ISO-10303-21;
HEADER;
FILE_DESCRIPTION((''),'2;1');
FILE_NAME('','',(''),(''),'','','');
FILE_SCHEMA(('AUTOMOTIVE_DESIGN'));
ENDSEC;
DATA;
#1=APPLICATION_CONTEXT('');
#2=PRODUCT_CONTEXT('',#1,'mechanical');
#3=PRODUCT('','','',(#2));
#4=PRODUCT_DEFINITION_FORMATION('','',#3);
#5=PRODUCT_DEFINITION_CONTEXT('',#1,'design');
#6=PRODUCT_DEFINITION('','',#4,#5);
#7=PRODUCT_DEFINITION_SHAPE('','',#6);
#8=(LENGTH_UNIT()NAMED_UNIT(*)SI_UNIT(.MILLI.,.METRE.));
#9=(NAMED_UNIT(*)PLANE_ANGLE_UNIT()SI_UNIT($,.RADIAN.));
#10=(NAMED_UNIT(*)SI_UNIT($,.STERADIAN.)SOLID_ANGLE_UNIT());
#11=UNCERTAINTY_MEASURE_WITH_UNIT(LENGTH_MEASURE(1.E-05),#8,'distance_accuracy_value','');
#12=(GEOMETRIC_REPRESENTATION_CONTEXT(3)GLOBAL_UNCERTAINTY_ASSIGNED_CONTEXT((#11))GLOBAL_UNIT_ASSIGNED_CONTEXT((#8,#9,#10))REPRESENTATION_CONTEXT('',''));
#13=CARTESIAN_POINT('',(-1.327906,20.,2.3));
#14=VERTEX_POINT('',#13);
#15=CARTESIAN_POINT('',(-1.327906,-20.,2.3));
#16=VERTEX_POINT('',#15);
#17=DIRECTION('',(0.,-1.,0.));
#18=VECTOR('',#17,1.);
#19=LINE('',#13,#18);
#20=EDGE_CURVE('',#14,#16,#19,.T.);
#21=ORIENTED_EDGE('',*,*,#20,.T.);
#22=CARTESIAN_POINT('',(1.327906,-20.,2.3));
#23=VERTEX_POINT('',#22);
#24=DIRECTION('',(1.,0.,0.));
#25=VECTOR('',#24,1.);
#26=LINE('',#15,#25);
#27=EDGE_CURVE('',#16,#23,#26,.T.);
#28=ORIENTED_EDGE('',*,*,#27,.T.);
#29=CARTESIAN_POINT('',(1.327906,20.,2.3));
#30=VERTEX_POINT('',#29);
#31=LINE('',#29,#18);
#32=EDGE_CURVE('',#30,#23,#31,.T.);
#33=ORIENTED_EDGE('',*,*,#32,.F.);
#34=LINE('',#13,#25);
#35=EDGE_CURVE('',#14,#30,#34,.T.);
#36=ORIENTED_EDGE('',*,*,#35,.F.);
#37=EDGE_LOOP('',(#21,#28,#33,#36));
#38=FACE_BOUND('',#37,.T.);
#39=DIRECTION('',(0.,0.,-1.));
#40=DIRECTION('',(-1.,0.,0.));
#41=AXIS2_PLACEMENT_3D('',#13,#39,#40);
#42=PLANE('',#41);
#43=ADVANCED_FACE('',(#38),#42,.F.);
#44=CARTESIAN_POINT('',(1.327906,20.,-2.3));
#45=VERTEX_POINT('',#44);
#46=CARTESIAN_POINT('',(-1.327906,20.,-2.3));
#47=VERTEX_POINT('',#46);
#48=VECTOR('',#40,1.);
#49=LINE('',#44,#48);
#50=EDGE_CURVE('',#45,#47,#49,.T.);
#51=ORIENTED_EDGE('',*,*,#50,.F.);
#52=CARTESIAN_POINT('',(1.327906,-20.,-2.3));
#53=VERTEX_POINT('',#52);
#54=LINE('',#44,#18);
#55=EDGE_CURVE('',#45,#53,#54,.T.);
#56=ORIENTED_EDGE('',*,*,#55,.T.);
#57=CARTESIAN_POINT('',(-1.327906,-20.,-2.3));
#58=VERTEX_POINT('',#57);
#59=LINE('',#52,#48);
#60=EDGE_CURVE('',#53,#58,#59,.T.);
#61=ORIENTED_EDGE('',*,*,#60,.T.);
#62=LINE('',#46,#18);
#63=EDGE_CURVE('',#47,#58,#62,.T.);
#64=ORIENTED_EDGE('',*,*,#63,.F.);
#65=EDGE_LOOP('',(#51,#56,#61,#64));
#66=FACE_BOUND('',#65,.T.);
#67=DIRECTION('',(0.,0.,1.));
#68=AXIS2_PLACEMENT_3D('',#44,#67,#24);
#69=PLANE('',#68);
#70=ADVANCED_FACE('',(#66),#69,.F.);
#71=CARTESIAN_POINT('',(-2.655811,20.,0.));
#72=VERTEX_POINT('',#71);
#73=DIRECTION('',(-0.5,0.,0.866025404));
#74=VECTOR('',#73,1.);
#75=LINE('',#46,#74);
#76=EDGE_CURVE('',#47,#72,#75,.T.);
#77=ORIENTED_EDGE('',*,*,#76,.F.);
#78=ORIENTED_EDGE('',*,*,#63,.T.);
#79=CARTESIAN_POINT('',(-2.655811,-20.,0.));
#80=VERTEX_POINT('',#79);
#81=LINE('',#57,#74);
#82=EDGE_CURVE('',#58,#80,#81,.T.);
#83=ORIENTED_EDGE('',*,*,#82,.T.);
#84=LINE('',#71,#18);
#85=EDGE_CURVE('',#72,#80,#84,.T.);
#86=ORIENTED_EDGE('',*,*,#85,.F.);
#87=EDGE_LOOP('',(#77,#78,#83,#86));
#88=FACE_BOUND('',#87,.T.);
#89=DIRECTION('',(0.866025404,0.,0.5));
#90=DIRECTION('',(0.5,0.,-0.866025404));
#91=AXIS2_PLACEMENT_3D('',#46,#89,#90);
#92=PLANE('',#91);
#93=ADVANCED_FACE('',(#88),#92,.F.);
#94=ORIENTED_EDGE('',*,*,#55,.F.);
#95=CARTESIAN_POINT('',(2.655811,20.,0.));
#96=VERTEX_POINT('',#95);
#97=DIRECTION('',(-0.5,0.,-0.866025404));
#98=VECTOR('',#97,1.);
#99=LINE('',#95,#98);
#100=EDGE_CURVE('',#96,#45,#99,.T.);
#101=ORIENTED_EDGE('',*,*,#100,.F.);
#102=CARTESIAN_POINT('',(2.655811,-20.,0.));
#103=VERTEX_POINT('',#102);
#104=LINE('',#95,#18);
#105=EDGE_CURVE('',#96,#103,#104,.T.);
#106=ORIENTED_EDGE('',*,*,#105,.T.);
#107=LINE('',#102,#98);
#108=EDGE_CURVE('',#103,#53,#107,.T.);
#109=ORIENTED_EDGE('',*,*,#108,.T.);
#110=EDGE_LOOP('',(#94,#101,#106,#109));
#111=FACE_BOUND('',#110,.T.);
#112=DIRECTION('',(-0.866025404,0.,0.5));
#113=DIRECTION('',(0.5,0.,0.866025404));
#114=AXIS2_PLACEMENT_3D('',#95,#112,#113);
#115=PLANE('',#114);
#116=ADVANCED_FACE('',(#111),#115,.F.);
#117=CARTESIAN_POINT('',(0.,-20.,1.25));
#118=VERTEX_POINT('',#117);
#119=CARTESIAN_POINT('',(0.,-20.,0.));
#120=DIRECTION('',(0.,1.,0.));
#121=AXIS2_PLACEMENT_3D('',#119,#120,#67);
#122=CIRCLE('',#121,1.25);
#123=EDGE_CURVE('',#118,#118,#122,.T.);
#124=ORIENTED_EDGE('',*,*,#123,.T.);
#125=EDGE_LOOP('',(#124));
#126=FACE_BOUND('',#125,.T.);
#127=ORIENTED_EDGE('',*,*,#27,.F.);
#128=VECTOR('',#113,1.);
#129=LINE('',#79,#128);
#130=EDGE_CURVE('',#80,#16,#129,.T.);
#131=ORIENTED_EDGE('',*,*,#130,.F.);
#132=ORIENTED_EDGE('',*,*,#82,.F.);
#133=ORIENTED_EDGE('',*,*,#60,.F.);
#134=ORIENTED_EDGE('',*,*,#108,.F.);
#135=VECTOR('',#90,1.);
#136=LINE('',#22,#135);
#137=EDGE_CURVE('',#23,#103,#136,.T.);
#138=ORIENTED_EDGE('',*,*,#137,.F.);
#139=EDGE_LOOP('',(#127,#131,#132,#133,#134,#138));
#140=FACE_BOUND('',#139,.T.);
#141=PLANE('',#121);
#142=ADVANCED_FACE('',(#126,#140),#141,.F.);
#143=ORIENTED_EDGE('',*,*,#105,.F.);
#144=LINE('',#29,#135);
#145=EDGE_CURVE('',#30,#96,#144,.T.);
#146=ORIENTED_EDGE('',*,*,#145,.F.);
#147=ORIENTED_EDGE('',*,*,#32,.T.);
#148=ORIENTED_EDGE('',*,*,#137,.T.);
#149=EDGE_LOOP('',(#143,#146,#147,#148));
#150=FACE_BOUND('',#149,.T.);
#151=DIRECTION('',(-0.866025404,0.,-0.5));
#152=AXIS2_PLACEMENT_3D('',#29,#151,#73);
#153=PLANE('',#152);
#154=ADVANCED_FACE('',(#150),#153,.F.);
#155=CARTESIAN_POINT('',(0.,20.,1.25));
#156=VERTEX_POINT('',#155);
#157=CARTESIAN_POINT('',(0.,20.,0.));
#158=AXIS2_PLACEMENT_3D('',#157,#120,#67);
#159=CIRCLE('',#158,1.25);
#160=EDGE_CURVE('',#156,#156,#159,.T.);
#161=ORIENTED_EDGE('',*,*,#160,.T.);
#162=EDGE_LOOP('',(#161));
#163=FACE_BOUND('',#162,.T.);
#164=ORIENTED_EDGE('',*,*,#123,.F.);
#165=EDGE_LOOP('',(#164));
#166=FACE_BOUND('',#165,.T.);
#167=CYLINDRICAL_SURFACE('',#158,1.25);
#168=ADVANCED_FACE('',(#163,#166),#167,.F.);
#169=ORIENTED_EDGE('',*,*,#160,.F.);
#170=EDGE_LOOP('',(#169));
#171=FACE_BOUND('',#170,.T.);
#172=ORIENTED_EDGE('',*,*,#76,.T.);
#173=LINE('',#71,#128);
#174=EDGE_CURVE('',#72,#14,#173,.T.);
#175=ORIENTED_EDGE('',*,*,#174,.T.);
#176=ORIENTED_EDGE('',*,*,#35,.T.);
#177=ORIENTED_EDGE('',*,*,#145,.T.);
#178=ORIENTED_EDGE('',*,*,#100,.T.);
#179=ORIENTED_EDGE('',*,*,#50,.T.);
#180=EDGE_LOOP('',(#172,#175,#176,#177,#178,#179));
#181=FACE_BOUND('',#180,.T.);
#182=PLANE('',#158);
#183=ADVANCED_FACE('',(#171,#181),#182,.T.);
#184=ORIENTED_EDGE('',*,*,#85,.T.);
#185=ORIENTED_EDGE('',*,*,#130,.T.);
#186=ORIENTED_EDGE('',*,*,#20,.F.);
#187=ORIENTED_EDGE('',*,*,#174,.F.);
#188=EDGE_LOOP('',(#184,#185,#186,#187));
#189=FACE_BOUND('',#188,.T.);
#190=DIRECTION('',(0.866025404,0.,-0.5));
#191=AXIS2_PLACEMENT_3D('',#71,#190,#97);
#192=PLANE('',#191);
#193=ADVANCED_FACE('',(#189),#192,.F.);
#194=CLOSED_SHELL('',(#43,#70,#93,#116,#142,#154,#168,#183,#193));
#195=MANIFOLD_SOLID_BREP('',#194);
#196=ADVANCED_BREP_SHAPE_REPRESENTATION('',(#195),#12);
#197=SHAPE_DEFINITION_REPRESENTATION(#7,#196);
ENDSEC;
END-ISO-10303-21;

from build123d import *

# Parameters (mm, degrees)
EXTRUDE_1_DEPTH = 20
SKETCH_3_W      = 1.25
SKETCH_3_H      = 40.001


with BuildPart() as part:
    # 草图1 → 凸台-拉伸1 (new, symmetric)
    with BuildSketch(Plane(origin=(0, 0, 0), x_dir=(1, 0, 0), z_dir=(0, 1, 0))):
        Polygon((1.327905619, -2.3), (2.655811238, 0), (1.327905619, 2.3), (-1.327905619, 2.3), (-2.655811238, 0), (-1.327905619, -2.3), align=None)
    extrude(amount=EXTRUDE_1_DEPTH, both=True)

    # 草图3 → M3 螺纹孔1 (revolve, cut)
    with BuildSketch(Plane(origin=(0, 20, 0), x_dir=(0, 0, 1), z_dir=(1, 0, 0))):
        with Locations((0.625, 20.0005)):
            Rectangle(SKETCH_3_W, SKETCH_3_H)
    revolve(axis=Axis((0, 26.35, 0), (0, -1, 0)), mode=Mode.SUBTRACT)


solid = part.part
